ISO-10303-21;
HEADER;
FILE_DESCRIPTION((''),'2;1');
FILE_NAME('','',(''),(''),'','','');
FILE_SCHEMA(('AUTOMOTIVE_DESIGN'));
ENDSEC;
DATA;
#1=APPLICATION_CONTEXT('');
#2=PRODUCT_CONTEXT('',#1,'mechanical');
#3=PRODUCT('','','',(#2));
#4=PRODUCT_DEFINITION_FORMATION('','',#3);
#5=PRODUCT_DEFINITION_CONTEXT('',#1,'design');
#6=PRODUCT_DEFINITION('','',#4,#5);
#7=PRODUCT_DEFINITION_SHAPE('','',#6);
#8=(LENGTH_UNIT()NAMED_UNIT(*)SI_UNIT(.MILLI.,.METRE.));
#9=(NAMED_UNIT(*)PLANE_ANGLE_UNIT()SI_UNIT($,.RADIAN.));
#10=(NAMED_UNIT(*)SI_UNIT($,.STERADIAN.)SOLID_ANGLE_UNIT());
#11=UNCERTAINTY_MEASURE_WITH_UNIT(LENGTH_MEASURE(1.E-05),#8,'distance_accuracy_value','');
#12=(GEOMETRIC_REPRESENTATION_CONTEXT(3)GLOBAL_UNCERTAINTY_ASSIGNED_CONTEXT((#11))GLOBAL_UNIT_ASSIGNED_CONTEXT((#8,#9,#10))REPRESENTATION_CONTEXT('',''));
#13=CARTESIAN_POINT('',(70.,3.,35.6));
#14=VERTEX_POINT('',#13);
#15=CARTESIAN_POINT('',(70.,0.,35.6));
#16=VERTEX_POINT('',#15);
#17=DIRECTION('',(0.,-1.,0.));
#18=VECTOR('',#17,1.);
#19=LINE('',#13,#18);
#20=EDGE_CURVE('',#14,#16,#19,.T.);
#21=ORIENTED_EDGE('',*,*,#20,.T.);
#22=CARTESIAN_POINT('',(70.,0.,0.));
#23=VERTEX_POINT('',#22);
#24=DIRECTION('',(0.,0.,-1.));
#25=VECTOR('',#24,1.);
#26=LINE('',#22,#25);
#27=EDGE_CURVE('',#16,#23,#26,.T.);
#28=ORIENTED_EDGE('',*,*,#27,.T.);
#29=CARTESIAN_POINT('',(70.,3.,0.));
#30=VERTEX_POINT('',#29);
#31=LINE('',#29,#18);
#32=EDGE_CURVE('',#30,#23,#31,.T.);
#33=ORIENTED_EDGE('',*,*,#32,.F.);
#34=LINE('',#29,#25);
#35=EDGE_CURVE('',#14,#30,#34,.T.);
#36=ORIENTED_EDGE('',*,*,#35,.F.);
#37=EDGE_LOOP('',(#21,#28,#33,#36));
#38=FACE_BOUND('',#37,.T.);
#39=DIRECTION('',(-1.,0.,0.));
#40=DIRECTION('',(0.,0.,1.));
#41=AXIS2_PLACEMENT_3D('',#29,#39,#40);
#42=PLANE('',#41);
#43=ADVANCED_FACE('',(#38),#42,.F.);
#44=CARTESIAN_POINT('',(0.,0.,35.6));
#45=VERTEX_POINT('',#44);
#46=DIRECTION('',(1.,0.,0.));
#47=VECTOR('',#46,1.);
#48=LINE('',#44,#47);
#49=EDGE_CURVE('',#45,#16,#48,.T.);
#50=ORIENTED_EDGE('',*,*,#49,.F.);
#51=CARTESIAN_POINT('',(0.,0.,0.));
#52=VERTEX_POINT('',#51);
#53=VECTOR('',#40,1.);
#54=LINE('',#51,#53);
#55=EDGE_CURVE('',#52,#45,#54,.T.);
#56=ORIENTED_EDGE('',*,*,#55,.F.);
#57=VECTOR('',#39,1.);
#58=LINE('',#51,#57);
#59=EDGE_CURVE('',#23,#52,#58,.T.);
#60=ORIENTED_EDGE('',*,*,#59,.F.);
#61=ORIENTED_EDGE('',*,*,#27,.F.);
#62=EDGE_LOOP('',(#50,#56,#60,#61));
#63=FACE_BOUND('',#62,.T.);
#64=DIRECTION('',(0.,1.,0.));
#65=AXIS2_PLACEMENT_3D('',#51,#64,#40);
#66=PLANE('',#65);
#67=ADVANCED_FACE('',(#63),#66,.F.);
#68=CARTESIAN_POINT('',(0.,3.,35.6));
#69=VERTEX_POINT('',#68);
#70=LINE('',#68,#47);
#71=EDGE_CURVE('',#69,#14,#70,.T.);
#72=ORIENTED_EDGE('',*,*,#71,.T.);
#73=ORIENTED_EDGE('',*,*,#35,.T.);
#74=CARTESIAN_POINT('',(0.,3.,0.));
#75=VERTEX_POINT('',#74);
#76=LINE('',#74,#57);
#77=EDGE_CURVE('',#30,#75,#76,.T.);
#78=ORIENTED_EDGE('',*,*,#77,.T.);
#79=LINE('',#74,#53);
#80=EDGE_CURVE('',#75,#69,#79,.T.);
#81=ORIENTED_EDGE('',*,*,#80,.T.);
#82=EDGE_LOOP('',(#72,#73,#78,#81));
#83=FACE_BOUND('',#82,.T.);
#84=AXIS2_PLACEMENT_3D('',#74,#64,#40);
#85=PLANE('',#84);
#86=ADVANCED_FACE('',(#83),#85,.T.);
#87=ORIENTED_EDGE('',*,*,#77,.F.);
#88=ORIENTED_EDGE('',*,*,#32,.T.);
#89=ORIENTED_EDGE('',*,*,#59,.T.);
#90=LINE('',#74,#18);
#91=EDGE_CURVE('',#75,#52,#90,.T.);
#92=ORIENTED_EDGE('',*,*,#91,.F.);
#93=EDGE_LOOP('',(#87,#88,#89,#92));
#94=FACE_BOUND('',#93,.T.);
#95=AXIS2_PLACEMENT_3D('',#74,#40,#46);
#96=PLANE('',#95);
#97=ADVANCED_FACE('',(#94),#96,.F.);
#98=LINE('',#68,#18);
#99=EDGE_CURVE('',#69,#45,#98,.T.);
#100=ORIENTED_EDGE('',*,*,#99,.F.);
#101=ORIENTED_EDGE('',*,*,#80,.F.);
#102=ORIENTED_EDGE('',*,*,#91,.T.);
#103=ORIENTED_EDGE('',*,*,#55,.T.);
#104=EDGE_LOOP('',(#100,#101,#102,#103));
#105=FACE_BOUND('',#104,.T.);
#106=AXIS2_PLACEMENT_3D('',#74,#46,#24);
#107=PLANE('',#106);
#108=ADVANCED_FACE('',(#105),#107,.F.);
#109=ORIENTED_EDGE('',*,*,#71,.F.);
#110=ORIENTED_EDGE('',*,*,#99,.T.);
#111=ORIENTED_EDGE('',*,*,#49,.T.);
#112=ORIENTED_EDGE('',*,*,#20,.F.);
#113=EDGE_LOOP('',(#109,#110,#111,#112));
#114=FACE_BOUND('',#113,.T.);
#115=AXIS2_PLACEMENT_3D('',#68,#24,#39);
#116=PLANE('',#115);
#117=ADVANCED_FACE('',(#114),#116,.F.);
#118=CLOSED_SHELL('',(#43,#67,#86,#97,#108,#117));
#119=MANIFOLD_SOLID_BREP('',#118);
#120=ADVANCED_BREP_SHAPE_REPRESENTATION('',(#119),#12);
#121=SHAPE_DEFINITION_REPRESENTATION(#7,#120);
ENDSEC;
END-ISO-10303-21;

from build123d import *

# Parameters (mm, degrees)
SKETCH_1_W      = 70
SKETCH_1_H      = 35.6
EXTRUDE_1_DEPTH = 3


with BuildPart() as part:
    # 草图1 → 凸台-拉伸1 (new body)
    with BuildSketch(Plane(origin=(0, 0, 0), x_dir=(1, 0, 0), z_dir=(0, 1, 0))):
        with Locations((35, -17.8)):
            Rectangle(SKETCH_1_W, SKETCH_1_H)
    extrude(amount=EXTRUDE_1_DEPTH)


solid = part.part
